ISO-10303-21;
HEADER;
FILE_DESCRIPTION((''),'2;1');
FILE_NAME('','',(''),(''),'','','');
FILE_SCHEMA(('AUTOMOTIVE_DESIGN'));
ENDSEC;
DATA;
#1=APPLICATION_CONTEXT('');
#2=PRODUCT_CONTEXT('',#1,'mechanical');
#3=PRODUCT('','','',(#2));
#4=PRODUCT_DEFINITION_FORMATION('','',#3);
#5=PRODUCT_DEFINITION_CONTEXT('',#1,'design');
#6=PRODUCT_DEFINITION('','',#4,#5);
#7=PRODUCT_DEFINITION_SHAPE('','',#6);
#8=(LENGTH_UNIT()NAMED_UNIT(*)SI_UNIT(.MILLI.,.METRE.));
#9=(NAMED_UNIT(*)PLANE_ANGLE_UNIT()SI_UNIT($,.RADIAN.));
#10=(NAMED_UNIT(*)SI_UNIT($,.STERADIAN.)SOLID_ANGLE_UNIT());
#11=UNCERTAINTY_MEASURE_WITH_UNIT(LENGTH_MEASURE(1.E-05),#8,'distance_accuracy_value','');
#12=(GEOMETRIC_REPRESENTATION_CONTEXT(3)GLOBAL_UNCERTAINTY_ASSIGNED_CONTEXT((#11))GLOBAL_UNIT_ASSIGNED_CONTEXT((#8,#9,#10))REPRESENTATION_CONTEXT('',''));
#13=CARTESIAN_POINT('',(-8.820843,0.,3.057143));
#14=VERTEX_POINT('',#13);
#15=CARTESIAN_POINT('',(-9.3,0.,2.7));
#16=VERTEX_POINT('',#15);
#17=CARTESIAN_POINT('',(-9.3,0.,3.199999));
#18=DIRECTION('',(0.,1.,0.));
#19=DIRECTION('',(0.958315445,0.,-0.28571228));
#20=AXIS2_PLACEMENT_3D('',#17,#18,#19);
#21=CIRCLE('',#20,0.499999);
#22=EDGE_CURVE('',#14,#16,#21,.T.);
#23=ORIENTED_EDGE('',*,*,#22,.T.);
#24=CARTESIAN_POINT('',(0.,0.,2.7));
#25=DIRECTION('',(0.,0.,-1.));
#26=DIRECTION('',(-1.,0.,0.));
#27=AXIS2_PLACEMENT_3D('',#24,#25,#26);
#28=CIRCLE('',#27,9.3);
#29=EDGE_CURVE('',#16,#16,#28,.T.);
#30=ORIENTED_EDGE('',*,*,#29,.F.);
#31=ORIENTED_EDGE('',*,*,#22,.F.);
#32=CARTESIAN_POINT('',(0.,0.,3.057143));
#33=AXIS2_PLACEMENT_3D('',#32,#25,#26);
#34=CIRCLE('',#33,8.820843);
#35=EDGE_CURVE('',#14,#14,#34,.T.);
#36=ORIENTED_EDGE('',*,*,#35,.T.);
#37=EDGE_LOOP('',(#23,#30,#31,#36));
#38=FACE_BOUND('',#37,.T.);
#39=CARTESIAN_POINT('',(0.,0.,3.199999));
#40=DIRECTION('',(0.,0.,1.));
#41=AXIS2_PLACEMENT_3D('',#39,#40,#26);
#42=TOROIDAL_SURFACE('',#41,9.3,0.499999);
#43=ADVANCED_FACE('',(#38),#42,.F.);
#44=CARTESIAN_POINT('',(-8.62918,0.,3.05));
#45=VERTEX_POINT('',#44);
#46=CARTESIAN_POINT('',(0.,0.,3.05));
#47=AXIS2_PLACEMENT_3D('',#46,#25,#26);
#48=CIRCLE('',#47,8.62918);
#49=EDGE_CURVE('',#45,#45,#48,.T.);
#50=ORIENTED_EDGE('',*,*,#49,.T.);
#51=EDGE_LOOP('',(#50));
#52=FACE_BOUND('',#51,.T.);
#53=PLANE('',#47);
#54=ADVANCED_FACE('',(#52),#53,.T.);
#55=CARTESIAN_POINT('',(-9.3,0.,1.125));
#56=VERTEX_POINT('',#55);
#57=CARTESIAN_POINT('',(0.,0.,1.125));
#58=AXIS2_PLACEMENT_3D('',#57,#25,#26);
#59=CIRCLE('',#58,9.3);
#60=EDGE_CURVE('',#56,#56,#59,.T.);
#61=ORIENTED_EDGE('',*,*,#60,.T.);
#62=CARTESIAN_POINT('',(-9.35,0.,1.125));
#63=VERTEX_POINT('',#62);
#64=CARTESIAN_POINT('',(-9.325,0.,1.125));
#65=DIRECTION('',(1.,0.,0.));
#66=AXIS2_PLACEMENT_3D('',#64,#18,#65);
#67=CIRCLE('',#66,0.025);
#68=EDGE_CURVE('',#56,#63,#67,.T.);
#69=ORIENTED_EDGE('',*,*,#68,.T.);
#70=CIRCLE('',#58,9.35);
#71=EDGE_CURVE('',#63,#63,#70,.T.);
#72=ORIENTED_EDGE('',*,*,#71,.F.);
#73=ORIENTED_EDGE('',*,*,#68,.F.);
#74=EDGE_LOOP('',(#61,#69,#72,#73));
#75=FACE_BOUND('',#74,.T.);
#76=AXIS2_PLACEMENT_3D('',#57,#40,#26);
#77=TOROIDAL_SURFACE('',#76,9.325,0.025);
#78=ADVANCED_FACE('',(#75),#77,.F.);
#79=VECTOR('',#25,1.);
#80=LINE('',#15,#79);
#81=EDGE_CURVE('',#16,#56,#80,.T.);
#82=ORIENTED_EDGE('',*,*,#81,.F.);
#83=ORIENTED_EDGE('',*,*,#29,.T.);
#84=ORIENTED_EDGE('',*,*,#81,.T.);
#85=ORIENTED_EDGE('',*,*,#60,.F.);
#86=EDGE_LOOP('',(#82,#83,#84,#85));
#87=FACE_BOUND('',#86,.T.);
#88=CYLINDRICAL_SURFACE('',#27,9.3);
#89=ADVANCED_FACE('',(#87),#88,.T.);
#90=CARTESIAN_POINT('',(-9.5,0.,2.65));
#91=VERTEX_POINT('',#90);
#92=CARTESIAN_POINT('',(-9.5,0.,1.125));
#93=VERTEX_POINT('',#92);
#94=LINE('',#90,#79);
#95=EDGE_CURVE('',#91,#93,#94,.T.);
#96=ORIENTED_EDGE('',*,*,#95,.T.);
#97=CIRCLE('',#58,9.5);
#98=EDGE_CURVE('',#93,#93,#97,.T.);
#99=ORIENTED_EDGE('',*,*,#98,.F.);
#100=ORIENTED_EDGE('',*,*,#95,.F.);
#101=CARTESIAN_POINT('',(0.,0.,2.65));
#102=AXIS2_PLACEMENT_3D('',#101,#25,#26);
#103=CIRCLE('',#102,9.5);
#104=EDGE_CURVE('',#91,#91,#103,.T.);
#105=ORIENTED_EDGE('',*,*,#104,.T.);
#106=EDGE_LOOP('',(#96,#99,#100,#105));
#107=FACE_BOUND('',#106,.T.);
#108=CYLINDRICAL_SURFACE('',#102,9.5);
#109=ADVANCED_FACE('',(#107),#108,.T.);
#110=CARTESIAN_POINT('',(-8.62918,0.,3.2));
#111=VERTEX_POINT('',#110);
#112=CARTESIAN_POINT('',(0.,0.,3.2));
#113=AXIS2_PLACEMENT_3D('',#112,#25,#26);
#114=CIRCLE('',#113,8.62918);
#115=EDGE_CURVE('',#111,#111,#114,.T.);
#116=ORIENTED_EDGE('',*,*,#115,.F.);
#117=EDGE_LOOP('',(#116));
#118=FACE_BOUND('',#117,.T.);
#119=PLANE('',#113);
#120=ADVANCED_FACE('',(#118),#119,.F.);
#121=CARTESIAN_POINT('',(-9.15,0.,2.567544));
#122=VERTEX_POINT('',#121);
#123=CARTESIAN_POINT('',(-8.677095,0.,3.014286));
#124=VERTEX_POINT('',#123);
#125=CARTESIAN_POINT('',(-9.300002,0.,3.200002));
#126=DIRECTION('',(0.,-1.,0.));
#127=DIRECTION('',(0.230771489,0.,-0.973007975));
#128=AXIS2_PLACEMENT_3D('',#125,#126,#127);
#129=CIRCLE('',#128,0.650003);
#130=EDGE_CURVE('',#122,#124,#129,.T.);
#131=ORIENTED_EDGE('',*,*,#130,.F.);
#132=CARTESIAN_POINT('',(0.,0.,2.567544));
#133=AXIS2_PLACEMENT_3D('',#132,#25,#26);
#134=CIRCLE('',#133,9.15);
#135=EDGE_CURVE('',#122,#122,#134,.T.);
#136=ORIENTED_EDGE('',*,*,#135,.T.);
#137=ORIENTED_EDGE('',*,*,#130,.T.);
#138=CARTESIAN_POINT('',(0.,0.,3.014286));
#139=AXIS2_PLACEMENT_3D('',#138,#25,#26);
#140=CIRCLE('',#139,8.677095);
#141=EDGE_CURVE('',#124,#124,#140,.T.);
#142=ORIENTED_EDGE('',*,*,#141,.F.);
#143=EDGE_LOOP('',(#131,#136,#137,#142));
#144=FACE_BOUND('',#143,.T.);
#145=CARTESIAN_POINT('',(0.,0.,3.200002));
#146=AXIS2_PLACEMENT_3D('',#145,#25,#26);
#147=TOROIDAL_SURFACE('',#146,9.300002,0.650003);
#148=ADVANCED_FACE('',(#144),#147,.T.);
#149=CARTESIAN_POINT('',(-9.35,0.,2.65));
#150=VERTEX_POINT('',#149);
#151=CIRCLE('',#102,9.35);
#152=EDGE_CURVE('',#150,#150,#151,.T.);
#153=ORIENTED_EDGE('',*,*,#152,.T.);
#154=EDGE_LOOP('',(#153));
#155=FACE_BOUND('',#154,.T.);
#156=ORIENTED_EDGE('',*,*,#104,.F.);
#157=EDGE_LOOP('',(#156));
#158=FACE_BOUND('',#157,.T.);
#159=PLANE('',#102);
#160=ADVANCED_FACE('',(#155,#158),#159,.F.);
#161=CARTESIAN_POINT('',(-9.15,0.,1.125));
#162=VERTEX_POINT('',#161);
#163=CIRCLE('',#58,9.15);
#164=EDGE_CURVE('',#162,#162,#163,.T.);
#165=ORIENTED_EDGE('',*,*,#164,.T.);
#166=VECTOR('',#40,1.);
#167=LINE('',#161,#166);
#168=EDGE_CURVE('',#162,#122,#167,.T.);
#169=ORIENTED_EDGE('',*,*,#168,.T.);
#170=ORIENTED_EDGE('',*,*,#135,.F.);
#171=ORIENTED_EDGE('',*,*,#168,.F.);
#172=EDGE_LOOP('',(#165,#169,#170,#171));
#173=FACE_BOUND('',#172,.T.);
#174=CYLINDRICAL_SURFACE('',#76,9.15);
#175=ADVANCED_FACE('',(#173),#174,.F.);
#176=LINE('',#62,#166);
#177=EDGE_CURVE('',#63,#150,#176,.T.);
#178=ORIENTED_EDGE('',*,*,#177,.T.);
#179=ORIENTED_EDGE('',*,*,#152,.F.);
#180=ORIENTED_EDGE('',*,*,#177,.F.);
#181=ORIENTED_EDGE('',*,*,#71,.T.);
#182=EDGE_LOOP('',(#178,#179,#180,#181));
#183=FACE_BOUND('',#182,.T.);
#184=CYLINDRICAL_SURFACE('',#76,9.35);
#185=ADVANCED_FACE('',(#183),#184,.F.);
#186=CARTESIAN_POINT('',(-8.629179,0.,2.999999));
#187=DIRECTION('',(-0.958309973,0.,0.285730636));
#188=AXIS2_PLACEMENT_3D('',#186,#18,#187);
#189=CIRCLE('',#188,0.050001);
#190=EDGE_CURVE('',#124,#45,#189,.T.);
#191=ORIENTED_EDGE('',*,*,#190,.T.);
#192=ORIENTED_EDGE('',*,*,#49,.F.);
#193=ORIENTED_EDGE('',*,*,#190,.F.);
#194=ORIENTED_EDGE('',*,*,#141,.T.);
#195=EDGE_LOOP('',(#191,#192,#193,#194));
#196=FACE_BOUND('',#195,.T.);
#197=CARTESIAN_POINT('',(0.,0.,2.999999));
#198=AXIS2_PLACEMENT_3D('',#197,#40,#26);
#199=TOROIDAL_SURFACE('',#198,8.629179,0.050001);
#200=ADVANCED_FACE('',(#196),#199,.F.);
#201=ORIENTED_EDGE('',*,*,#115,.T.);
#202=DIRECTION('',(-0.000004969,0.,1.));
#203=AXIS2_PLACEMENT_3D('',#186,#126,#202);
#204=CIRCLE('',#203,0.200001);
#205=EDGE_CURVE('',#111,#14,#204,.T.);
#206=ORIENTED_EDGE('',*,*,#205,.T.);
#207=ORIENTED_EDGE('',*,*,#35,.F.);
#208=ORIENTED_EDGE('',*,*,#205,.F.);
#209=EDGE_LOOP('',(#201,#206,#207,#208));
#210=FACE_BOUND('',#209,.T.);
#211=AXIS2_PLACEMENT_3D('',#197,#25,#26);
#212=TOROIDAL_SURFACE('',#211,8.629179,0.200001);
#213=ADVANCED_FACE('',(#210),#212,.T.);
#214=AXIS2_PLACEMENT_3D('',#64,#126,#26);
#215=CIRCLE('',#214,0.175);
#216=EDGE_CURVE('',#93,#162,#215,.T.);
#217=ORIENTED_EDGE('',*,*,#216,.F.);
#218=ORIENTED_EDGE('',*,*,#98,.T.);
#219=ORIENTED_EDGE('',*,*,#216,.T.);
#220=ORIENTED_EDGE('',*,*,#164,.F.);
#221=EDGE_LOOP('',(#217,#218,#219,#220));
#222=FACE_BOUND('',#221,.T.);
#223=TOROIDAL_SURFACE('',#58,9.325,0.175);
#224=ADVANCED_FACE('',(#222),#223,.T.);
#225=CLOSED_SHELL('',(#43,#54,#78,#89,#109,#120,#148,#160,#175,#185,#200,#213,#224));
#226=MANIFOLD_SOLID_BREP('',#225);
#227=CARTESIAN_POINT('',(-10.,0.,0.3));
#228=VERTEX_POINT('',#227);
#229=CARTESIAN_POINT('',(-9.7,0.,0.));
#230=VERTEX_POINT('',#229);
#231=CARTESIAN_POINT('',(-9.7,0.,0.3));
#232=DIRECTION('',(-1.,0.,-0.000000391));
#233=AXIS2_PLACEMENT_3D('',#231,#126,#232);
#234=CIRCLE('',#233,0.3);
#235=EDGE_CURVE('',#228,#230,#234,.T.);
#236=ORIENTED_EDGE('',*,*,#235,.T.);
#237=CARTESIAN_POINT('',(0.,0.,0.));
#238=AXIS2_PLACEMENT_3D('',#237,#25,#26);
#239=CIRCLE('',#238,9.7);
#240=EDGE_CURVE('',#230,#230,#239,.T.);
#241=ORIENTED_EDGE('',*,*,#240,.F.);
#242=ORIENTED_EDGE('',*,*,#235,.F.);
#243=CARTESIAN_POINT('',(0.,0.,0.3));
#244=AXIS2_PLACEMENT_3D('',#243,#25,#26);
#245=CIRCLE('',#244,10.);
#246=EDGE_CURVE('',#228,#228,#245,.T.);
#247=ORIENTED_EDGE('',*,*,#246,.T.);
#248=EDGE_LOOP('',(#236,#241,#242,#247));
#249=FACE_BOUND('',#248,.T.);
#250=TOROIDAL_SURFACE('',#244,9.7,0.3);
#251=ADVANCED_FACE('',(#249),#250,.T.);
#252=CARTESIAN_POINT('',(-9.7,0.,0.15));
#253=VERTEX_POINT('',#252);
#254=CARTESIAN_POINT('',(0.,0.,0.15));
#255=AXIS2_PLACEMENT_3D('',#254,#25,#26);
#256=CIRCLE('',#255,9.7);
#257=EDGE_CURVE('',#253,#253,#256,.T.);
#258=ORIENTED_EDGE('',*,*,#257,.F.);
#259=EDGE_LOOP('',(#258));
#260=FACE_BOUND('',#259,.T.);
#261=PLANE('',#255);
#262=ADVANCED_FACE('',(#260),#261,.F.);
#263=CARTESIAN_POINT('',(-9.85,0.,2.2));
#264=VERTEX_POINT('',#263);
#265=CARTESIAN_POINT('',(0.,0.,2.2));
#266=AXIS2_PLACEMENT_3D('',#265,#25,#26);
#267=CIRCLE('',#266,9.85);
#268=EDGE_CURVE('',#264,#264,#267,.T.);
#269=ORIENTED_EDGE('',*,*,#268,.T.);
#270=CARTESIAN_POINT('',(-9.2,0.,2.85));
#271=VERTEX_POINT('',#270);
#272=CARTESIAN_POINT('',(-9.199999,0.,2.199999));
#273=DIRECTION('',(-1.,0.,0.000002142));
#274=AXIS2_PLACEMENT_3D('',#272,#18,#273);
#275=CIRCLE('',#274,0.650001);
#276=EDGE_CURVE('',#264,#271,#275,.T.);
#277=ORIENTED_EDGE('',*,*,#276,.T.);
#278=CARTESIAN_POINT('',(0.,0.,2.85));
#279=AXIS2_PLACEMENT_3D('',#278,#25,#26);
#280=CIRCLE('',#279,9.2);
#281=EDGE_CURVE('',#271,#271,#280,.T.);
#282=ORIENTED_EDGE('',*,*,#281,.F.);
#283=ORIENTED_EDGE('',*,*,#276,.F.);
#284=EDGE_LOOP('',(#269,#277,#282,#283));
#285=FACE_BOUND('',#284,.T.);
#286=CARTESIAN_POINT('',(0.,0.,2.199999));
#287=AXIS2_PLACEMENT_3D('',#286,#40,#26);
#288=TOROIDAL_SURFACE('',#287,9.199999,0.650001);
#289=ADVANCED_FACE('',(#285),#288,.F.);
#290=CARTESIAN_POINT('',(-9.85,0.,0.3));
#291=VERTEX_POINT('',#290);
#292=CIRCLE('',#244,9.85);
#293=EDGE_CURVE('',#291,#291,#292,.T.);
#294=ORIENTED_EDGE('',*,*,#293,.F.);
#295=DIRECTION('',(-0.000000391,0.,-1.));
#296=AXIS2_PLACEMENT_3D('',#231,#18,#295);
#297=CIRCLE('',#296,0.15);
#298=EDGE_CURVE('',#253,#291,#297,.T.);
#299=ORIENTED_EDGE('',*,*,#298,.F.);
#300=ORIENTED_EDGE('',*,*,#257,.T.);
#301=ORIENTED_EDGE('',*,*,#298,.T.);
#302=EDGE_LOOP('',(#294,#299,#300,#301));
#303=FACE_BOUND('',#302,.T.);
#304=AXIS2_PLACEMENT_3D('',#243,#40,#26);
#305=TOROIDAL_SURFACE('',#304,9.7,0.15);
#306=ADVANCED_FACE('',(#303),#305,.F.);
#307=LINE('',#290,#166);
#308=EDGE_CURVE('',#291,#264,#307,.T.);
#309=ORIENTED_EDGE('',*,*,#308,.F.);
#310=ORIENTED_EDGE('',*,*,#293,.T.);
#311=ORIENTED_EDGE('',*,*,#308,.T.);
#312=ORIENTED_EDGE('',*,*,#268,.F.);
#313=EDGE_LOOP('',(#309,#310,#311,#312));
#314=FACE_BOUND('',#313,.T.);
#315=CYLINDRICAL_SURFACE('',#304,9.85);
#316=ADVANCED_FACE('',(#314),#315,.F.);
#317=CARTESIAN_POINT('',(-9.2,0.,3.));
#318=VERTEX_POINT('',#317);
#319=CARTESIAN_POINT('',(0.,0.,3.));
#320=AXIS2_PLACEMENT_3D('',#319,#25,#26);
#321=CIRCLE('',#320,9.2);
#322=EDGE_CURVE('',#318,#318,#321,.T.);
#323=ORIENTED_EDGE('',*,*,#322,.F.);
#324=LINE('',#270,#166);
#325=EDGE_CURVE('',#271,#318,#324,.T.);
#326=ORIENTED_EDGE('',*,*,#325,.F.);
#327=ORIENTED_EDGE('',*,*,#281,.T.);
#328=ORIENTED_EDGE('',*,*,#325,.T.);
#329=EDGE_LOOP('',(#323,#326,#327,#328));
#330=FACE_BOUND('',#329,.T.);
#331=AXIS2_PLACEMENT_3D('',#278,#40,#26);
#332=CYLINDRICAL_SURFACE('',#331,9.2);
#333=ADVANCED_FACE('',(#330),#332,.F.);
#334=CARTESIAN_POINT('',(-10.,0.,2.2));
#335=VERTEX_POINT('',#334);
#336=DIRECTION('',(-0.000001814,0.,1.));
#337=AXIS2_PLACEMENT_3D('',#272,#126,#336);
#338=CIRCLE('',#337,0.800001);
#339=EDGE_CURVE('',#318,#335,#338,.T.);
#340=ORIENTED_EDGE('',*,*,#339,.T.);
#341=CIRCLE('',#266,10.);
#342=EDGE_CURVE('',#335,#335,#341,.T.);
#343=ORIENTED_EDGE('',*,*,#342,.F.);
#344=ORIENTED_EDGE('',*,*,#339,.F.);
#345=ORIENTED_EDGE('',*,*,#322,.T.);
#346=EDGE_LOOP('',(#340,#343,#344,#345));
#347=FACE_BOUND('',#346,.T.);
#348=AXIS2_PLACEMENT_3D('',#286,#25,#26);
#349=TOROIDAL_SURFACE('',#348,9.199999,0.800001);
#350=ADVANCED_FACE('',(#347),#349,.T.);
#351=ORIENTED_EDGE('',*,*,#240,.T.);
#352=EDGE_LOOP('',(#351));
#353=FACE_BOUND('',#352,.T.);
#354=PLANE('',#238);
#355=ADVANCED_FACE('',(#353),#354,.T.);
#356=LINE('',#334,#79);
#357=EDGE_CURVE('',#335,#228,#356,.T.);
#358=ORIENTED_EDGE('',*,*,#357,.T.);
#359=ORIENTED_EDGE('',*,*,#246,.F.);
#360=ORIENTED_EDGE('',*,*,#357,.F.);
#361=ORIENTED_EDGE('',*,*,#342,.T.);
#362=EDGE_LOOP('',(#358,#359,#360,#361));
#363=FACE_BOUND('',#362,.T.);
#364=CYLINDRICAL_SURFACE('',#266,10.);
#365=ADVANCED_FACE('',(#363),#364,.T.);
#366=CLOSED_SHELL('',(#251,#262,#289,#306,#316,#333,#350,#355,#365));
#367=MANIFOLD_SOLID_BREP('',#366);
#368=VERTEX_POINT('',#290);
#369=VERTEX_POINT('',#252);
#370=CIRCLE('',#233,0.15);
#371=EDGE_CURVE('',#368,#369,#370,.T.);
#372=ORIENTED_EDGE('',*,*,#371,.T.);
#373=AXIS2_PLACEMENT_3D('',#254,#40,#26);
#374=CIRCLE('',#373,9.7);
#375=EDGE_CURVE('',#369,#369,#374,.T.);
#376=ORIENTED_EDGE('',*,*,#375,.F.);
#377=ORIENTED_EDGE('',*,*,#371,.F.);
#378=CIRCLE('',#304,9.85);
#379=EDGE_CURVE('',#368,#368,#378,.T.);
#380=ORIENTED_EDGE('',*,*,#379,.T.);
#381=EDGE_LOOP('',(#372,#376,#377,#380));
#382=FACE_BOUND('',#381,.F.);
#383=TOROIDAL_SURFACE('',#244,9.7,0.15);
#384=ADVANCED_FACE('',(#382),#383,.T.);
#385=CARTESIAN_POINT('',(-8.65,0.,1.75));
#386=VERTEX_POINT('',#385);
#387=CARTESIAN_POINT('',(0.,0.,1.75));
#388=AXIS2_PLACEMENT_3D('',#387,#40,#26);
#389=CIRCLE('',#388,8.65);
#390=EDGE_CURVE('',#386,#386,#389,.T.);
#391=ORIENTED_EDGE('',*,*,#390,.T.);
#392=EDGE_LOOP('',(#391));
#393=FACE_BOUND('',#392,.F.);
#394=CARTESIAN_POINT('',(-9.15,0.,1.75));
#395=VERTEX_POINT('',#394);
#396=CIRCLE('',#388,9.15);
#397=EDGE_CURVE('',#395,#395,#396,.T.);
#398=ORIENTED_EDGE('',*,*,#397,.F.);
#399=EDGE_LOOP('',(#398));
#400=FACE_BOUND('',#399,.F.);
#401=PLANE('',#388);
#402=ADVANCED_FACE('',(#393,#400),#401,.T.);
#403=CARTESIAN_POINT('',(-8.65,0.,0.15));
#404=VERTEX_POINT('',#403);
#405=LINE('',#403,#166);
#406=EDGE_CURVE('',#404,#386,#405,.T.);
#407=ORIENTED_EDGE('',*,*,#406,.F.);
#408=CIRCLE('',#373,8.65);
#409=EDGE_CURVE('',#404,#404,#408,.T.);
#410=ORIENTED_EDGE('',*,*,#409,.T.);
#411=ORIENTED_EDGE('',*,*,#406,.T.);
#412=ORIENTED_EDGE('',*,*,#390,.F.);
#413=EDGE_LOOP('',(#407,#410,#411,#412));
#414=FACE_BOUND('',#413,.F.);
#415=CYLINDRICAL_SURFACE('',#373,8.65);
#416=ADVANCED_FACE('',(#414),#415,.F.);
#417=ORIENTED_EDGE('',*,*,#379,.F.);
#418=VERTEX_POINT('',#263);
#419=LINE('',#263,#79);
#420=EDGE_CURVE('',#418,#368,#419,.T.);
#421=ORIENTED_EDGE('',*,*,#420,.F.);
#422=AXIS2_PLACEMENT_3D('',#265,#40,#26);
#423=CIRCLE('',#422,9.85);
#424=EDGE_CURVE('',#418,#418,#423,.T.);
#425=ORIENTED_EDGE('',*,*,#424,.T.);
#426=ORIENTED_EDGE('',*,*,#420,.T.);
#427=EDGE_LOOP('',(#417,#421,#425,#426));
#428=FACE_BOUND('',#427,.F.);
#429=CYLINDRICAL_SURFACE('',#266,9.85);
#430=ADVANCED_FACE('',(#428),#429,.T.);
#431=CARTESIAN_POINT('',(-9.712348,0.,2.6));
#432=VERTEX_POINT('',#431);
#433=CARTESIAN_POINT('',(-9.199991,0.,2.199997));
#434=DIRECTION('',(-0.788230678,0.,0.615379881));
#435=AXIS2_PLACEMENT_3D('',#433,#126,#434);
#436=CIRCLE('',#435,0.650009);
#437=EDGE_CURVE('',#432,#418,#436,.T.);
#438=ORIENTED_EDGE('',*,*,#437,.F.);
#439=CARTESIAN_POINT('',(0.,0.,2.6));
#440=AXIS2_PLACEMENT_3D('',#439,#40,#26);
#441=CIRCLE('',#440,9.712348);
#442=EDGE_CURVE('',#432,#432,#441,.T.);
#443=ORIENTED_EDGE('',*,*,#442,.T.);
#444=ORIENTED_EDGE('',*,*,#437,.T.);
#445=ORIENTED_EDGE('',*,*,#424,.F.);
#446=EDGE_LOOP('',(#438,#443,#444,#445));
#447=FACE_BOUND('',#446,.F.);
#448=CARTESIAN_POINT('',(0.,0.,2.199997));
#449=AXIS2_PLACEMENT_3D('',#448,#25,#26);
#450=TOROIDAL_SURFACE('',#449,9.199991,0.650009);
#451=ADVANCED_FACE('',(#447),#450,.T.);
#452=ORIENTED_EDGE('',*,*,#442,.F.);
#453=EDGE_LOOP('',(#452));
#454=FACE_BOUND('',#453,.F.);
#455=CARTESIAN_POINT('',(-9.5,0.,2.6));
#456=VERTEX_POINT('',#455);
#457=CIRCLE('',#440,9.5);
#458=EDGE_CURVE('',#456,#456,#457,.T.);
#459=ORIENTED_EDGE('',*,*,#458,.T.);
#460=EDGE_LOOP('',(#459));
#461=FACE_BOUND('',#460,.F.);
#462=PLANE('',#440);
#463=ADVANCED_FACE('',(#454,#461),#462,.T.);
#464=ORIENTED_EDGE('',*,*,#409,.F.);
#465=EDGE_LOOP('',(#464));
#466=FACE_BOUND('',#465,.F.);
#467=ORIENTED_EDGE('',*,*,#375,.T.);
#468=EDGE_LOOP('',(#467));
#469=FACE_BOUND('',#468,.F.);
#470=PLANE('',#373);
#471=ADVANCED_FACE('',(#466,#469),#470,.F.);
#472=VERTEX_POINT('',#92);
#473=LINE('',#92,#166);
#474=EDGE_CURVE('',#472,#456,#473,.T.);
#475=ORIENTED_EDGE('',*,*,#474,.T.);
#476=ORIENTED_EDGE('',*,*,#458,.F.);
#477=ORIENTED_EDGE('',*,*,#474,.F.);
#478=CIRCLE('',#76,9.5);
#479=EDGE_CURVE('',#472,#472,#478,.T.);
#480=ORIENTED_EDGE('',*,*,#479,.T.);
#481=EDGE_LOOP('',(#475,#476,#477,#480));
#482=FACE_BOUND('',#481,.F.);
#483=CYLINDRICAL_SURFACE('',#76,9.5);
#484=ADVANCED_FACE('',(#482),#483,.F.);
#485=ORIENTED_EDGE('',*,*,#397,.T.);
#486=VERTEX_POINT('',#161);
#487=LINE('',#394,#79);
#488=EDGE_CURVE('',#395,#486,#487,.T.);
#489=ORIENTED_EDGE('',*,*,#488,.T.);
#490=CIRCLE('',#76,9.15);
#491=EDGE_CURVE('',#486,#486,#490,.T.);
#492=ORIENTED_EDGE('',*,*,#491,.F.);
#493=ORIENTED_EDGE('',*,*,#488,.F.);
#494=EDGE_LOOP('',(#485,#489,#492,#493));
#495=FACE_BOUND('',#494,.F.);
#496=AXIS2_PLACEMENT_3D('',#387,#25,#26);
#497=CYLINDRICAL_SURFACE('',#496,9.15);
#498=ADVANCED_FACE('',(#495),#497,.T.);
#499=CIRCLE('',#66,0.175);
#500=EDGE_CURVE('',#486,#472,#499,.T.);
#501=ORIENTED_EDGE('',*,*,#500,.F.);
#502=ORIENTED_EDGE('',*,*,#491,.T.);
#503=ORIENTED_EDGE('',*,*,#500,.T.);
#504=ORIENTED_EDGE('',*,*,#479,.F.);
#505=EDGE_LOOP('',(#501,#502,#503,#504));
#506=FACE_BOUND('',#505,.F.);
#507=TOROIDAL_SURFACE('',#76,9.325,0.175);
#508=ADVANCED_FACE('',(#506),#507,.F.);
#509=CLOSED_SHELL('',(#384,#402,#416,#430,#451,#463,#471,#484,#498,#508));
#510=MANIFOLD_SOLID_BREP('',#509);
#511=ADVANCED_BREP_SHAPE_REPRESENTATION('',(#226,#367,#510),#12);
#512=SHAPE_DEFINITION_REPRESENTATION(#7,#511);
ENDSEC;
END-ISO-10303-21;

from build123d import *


with BuildPart() as f1:
    # F0 (on Front) → F1 (revolve)
    with BuildSketch(Plane.XZ):
        with BuildLine():
            Line((-9.7, 0), (0, 0))
            Line((0, 0), (0, 0.15))
            Line((0, 0.15), (-9.7, 0.15))
            ThreePointArc((-9.7, 0.15), (-9.806066, 0.193934), (-9.85, 0.3))
            Line((-9.85, 0.3), (-9.85, 2.2))
            ThreePointArc((-9.85, 2.2), (-9.659619, 2.659619), (-9.2, 2.85))
            Line((-9.2, 2.85), (-9.2, 3))
            ThreePointArc((-9.2, 3), (-9.765685, 2.765685), (-10, 2.2))
            Line((-10, 2.2), (-10, 0.3))
            ThreePointArc((-10, 0.3), (-9.912132, 0.087868), (-9.7, 0))
        make_face()
        with BuildLine():
            Line((0, 3.2), (-8.62918, 3.2))
            ThreePointArc((-8.62918, 3.2), (-8.748702, 3.160357), (-8.820843, 3.057143))
            ThreePointArc((-8.820843, 3.057143), (-9.001193, 2.799108), (-9.3, 2.7))
            Line((-9.3, 2.7), (-9.3, 1.125))
            ThreePointArc((-9.3, 1.125), (-9.325, 1.1), (-9.35, 1.125))
            Line((-9.35, 1.125), (-9.35, 2.65))
            Line((-9.35, 2.65), (-9.5, 2.65))
            Line((-9.5, 2.65), (-9.5, 1.125))
            ThreePointArc((-9.5, 1.125), (-9.325, 0.95), (-9.15, 1.125))
            Line((-9.15, 1.125), (-9.15, 2.567544))
            ThreePointArc((-9.15, 2.567544), (-8.853637, 2.727496), (-8.677095, 3.014286))
            ThreePointArc((-8.677095, 3.014286), (-8.65906, 3.040089), (-8.62918, 3.05))
            Line((-8.62918, 3.05), (0, 3.05))
            Line((0, 3.05), (0, 3.2))
        make_face()
    revolve(axis=Axis((0, 0, 4.193154), (0, 0, -1)))


with BuildPart() as f3:
    # F2 (on Front) → F3 (revolve)
    with BuildSketch(Plane.XZ):
        with BuildLine():
            Line((-9.85, 2.2), (-9.85, 0.3))
            ThreePointArc((-9.85, 0.3), (-9.806066, 0.193934), (-9.7, 0.15))
            Line((-9.7, 0.15), (-8.65, 0.15))
            Line((-8.65, 0.15), (-8.65, 1.75))
            Line((-8.65, 1.75), (-9.15, 1.75))
            Line((-9.15, 1.75), (-9.15, 1.125))
            ThreePointArc((-9.15, 1.125), (-9.325, 0.95), (-9.5, 1.125))
            Line((-9.5, 1.125), (-9.5, 2.6))
            Line((-9.5, 2.6), (-9.712348, 2.6))
            ThreePointArc((-9.712348, 2.6), (-9.814624, 2.411511), (-9.85, 2.2))
        make_face()
    revolve(axis=Axis((0, 0, 2.840054), (0, 0, 1)))


solid = Compound([f1.part, f3.part])
